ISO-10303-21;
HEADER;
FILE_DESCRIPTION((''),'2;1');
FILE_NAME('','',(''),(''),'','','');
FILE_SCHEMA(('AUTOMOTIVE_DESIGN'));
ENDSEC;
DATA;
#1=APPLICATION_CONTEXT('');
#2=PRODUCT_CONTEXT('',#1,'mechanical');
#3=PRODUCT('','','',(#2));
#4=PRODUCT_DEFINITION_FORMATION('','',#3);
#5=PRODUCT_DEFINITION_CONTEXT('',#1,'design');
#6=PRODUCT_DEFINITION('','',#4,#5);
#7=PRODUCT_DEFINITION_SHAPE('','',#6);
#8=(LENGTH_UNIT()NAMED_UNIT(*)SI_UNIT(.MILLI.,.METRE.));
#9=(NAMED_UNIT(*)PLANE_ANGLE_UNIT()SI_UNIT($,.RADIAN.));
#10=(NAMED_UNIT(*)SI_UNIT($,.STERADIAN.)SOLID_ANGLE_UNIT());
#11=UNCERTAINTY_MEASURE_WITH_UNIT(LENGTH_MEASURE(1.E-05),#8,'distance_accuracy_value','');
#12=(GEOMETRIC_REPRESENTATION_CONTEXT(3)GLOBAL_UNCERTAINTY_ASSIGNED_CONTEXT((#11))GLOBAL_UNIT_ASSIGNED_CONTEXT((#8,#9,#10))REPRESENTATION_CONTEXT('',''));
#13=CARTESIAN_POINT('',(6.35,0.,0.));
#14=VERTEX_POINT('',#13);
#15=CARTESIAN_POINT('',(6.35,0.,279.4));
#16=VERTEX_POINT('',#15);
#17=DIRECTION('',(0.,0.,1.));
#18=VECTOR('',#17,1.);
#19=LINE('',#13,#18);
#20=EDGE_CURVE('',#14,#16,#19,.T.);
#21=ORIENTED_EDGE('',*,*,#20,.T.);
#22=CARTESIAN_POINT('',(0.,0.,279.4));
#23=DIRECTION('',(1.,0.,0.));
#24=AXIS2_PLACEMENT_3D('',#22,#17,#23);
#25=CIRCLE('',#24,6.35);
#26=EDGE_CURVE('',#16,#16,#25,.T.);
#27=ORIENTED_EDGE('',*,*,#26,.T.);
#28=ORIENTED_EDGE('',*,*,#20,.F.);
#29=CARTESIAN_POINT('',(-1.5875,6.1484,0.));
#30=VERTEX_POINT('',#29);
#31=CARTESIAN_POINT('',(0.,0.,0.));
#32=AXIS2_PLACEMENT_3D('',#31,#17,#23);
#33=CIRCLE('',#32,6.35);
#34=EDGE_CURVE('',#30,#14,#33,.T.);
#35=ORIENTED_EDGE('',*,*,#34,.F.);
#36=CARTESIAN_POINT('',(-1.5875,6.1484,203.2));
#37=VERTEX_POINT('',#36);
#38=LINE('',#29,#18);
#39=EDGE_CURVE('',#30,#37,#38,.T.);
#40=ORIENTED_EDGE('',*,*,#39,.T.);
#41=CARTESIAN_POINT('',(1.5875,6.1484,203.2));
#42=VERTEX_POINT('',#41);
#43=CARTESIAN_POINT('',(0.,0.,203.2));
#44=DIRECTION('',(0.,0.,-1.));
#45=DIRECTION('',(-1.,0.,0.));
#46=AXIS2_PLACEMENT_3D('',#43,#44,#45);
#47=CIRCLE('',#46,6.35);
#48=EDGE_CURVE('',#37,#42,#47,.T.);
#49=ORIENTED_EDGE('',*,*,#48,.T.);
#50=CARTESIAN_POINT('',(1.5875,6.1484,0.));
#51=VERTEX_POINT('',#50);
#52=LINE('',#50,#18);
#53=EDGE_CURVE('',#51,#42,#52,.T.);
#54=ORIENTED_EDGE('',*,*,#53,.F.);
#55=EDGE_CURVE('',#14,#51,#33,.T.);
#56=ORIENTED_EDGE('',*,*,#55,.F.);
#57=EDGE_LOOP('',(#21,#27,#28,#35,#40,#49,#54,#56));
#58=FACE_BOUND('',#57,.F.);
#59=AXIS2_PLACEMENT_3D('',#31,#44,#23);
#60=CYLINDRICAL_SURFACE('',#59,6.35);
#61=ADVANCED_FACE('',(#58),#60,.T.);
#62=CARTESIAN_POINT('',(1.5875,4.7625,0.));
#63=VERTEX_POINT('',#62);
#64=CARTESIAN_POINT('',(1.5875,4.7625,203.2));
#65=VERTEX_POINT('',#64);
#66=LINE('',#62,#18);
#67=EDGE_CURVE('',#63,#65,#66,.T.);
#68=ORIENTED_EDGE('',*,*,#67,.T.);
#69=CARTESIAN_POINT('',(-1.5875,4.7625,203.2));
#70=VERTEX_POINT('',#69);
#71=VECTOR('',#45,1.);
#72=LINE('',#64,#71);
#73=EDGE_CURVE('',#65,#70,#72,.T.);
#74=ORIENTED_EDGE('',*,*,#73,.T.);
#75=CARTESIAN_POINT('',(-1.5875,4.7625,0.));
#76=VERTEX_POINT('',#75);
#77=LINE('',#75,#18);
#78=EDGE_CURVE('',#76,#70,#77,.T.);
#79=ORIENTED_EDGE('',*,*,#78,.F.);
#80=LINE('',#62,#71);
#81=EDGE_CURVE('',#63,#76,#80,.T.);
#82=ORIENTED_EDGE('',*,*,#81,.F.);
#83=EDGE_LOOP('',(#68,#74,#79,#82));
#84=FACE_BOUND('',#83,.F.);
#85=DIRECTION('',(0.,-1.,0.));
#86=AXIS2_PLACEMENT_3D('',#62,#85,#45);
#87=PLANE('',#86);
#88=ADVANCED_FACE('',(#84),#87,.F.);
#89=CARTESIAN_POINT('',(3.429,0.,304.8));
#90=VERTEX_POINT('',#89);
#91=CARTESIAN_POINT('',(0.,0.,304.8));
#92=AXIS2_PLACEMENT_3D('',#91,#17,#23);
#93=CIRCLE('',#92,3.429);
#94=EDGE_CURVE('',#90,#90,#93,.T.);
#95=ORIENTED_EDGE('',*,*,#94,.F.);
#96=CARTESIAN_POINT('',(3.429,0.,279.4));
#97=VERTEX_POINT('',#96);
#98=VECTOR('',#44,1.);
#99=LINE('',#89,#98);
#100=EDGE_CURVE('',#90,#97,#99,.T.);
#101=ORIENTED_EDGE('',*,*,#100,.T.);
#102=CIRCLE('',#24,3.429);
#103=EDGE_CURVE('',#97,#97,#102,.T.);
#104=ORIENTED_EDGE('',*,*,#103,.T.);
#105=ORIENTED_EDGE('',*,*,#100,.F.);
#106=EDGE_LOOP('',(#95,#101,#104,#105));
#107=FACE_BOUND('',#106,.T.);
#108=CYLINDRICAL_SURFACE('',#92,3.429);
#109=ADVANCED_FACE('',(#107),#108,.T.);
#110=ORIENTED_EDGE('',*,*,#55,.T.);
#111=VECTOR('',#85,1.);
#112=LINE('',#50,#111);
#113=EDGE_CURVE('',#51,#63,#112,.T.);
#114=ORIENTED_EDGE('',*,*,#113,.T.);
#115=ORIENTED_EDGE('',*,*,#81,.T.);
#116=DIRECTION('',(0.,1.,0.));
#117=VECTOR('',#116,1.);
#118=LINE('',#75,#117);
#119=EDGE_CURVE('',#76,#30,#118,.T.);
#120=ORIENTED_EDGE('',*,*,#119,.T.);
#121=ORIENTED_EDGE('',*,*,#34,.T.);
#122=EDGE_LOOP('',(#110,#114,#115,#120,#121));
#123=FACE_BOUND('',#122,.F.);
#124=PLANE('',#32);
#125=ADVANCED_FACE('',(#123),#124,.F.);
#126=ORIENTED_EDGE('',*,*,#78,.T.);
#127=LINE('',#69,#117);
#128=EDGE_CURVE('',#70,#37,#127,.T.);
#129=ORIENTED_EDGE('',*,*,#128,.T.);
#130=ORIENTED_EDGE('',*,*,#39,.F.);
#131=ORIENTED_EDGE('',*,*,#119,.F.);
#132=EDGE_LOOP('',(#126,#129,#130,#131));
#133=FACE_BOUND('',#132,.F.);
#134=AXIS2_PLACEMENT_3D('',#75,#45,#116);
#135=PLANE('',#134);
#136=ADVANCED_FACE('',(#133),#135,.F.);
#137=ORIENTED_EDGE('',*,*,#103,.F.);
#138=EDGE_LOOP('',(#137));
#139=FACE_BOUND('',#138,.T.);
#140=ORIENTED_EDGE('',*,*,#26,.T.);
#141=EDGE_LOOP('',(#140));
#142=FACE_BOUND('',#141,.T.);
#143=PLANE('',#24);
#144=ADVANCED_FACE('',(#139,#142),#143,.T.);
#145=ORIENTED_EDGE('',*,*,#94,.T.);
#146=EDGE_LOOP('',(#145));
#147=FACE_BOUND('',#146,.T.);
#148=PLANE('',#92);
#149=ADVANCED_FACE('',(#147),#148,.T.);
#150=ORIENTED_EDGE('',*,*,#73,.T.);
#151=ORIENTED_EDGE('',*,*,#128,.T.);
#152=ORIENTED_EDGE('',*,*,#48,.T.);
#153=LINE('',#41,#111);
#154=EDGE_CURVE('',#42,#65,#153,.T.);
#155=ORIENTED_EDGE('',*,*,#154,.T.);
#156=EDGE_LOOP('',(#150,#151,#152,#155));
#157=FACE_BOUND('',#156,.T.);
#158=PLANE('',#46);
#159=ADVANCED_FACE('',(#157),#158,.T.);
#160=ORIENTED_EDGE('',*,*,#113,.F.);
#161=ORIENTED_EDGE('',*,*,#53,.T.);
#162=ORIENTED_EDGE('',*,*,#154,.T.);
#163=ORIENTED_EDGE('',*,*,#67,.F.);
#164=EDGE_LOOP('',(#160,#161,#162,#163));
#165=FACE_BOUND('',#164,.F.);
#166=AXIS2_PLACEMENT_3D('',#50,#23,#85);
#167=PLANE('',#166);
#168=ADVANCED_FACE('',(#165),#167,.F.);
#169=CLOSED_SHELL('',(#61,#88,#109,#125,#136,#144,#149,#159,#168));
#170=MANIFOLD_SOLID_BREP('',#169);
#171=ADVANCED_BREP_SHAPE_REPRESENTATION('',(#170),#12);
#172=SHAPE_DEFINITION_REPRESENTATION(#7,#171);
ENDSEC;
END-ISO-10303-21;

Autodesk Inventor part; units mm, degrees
ref_plane "YZ Plane" through (0, 0, 0) normal (1, 0, 0) x (0, 1, 0)
ref_plane "XZ Plane" through (0, 0, 0) normal (0, 1, 0) x (-1, 0, 0)
ref_plane "XY Plane" through (0, 0, 0) normal (0, 0, 1) x (1, 0, 0)
sketch "Sketch1" plane through (0, 0, 0) normal (0, 0, 1) x (1, 0, 0)
  circle A0 centre (0, 0) radius 6.35
  dimension "d0" = 12.7
extrude "Extrusion1" add sketch "Sketch1" along normal blind 304.8
sketch "Sketch2" plane through (0, 0, 304.8) normal (0, 0, 1) x (1, 0, 0)
  circle A0 centre (0, 0) radius 6.35 projected
  circle A1 centre (0, 0) radius 3.429
  circle A2 centre (0, 0) radius 6.35
  dimension "d3" = 6.858
extrude "Extrusion2" cut sketch "Sketch2" against normal blind 25.4
sketch "Sketch3" plane through (0, 0, 0) normal (0, 0, -1) x (-1, 0, 0)
  circle A0 centre (0, 0) radius 6.35 projected
  arc A1 (1.5875, 6.1484) -> (-1.5875, 6.1484) centre (0, 0) ccw
  line L0 (-1.5875, 6.1484) -> (-1.5875, 4.7625)
  line L1 (-1.5875, 4.7625) -> (1.5875, 4.7625)
  line L2 (1.5875, 4.7625) -> (1.5875, 6.1484)
  line L3 (0, 6.35) -> (1.0636, 6.35) construction
  dimension "d6" = 3.175
  dimension "d7" = 1.5875
extrude "Extrusion3" cut sketch "Sketch3" against normal blind 203.2 contours L2 L1 L0 A0 picked at (0.1781, 5.2842)
properties part number "ShooterAxle" material "Steel"
